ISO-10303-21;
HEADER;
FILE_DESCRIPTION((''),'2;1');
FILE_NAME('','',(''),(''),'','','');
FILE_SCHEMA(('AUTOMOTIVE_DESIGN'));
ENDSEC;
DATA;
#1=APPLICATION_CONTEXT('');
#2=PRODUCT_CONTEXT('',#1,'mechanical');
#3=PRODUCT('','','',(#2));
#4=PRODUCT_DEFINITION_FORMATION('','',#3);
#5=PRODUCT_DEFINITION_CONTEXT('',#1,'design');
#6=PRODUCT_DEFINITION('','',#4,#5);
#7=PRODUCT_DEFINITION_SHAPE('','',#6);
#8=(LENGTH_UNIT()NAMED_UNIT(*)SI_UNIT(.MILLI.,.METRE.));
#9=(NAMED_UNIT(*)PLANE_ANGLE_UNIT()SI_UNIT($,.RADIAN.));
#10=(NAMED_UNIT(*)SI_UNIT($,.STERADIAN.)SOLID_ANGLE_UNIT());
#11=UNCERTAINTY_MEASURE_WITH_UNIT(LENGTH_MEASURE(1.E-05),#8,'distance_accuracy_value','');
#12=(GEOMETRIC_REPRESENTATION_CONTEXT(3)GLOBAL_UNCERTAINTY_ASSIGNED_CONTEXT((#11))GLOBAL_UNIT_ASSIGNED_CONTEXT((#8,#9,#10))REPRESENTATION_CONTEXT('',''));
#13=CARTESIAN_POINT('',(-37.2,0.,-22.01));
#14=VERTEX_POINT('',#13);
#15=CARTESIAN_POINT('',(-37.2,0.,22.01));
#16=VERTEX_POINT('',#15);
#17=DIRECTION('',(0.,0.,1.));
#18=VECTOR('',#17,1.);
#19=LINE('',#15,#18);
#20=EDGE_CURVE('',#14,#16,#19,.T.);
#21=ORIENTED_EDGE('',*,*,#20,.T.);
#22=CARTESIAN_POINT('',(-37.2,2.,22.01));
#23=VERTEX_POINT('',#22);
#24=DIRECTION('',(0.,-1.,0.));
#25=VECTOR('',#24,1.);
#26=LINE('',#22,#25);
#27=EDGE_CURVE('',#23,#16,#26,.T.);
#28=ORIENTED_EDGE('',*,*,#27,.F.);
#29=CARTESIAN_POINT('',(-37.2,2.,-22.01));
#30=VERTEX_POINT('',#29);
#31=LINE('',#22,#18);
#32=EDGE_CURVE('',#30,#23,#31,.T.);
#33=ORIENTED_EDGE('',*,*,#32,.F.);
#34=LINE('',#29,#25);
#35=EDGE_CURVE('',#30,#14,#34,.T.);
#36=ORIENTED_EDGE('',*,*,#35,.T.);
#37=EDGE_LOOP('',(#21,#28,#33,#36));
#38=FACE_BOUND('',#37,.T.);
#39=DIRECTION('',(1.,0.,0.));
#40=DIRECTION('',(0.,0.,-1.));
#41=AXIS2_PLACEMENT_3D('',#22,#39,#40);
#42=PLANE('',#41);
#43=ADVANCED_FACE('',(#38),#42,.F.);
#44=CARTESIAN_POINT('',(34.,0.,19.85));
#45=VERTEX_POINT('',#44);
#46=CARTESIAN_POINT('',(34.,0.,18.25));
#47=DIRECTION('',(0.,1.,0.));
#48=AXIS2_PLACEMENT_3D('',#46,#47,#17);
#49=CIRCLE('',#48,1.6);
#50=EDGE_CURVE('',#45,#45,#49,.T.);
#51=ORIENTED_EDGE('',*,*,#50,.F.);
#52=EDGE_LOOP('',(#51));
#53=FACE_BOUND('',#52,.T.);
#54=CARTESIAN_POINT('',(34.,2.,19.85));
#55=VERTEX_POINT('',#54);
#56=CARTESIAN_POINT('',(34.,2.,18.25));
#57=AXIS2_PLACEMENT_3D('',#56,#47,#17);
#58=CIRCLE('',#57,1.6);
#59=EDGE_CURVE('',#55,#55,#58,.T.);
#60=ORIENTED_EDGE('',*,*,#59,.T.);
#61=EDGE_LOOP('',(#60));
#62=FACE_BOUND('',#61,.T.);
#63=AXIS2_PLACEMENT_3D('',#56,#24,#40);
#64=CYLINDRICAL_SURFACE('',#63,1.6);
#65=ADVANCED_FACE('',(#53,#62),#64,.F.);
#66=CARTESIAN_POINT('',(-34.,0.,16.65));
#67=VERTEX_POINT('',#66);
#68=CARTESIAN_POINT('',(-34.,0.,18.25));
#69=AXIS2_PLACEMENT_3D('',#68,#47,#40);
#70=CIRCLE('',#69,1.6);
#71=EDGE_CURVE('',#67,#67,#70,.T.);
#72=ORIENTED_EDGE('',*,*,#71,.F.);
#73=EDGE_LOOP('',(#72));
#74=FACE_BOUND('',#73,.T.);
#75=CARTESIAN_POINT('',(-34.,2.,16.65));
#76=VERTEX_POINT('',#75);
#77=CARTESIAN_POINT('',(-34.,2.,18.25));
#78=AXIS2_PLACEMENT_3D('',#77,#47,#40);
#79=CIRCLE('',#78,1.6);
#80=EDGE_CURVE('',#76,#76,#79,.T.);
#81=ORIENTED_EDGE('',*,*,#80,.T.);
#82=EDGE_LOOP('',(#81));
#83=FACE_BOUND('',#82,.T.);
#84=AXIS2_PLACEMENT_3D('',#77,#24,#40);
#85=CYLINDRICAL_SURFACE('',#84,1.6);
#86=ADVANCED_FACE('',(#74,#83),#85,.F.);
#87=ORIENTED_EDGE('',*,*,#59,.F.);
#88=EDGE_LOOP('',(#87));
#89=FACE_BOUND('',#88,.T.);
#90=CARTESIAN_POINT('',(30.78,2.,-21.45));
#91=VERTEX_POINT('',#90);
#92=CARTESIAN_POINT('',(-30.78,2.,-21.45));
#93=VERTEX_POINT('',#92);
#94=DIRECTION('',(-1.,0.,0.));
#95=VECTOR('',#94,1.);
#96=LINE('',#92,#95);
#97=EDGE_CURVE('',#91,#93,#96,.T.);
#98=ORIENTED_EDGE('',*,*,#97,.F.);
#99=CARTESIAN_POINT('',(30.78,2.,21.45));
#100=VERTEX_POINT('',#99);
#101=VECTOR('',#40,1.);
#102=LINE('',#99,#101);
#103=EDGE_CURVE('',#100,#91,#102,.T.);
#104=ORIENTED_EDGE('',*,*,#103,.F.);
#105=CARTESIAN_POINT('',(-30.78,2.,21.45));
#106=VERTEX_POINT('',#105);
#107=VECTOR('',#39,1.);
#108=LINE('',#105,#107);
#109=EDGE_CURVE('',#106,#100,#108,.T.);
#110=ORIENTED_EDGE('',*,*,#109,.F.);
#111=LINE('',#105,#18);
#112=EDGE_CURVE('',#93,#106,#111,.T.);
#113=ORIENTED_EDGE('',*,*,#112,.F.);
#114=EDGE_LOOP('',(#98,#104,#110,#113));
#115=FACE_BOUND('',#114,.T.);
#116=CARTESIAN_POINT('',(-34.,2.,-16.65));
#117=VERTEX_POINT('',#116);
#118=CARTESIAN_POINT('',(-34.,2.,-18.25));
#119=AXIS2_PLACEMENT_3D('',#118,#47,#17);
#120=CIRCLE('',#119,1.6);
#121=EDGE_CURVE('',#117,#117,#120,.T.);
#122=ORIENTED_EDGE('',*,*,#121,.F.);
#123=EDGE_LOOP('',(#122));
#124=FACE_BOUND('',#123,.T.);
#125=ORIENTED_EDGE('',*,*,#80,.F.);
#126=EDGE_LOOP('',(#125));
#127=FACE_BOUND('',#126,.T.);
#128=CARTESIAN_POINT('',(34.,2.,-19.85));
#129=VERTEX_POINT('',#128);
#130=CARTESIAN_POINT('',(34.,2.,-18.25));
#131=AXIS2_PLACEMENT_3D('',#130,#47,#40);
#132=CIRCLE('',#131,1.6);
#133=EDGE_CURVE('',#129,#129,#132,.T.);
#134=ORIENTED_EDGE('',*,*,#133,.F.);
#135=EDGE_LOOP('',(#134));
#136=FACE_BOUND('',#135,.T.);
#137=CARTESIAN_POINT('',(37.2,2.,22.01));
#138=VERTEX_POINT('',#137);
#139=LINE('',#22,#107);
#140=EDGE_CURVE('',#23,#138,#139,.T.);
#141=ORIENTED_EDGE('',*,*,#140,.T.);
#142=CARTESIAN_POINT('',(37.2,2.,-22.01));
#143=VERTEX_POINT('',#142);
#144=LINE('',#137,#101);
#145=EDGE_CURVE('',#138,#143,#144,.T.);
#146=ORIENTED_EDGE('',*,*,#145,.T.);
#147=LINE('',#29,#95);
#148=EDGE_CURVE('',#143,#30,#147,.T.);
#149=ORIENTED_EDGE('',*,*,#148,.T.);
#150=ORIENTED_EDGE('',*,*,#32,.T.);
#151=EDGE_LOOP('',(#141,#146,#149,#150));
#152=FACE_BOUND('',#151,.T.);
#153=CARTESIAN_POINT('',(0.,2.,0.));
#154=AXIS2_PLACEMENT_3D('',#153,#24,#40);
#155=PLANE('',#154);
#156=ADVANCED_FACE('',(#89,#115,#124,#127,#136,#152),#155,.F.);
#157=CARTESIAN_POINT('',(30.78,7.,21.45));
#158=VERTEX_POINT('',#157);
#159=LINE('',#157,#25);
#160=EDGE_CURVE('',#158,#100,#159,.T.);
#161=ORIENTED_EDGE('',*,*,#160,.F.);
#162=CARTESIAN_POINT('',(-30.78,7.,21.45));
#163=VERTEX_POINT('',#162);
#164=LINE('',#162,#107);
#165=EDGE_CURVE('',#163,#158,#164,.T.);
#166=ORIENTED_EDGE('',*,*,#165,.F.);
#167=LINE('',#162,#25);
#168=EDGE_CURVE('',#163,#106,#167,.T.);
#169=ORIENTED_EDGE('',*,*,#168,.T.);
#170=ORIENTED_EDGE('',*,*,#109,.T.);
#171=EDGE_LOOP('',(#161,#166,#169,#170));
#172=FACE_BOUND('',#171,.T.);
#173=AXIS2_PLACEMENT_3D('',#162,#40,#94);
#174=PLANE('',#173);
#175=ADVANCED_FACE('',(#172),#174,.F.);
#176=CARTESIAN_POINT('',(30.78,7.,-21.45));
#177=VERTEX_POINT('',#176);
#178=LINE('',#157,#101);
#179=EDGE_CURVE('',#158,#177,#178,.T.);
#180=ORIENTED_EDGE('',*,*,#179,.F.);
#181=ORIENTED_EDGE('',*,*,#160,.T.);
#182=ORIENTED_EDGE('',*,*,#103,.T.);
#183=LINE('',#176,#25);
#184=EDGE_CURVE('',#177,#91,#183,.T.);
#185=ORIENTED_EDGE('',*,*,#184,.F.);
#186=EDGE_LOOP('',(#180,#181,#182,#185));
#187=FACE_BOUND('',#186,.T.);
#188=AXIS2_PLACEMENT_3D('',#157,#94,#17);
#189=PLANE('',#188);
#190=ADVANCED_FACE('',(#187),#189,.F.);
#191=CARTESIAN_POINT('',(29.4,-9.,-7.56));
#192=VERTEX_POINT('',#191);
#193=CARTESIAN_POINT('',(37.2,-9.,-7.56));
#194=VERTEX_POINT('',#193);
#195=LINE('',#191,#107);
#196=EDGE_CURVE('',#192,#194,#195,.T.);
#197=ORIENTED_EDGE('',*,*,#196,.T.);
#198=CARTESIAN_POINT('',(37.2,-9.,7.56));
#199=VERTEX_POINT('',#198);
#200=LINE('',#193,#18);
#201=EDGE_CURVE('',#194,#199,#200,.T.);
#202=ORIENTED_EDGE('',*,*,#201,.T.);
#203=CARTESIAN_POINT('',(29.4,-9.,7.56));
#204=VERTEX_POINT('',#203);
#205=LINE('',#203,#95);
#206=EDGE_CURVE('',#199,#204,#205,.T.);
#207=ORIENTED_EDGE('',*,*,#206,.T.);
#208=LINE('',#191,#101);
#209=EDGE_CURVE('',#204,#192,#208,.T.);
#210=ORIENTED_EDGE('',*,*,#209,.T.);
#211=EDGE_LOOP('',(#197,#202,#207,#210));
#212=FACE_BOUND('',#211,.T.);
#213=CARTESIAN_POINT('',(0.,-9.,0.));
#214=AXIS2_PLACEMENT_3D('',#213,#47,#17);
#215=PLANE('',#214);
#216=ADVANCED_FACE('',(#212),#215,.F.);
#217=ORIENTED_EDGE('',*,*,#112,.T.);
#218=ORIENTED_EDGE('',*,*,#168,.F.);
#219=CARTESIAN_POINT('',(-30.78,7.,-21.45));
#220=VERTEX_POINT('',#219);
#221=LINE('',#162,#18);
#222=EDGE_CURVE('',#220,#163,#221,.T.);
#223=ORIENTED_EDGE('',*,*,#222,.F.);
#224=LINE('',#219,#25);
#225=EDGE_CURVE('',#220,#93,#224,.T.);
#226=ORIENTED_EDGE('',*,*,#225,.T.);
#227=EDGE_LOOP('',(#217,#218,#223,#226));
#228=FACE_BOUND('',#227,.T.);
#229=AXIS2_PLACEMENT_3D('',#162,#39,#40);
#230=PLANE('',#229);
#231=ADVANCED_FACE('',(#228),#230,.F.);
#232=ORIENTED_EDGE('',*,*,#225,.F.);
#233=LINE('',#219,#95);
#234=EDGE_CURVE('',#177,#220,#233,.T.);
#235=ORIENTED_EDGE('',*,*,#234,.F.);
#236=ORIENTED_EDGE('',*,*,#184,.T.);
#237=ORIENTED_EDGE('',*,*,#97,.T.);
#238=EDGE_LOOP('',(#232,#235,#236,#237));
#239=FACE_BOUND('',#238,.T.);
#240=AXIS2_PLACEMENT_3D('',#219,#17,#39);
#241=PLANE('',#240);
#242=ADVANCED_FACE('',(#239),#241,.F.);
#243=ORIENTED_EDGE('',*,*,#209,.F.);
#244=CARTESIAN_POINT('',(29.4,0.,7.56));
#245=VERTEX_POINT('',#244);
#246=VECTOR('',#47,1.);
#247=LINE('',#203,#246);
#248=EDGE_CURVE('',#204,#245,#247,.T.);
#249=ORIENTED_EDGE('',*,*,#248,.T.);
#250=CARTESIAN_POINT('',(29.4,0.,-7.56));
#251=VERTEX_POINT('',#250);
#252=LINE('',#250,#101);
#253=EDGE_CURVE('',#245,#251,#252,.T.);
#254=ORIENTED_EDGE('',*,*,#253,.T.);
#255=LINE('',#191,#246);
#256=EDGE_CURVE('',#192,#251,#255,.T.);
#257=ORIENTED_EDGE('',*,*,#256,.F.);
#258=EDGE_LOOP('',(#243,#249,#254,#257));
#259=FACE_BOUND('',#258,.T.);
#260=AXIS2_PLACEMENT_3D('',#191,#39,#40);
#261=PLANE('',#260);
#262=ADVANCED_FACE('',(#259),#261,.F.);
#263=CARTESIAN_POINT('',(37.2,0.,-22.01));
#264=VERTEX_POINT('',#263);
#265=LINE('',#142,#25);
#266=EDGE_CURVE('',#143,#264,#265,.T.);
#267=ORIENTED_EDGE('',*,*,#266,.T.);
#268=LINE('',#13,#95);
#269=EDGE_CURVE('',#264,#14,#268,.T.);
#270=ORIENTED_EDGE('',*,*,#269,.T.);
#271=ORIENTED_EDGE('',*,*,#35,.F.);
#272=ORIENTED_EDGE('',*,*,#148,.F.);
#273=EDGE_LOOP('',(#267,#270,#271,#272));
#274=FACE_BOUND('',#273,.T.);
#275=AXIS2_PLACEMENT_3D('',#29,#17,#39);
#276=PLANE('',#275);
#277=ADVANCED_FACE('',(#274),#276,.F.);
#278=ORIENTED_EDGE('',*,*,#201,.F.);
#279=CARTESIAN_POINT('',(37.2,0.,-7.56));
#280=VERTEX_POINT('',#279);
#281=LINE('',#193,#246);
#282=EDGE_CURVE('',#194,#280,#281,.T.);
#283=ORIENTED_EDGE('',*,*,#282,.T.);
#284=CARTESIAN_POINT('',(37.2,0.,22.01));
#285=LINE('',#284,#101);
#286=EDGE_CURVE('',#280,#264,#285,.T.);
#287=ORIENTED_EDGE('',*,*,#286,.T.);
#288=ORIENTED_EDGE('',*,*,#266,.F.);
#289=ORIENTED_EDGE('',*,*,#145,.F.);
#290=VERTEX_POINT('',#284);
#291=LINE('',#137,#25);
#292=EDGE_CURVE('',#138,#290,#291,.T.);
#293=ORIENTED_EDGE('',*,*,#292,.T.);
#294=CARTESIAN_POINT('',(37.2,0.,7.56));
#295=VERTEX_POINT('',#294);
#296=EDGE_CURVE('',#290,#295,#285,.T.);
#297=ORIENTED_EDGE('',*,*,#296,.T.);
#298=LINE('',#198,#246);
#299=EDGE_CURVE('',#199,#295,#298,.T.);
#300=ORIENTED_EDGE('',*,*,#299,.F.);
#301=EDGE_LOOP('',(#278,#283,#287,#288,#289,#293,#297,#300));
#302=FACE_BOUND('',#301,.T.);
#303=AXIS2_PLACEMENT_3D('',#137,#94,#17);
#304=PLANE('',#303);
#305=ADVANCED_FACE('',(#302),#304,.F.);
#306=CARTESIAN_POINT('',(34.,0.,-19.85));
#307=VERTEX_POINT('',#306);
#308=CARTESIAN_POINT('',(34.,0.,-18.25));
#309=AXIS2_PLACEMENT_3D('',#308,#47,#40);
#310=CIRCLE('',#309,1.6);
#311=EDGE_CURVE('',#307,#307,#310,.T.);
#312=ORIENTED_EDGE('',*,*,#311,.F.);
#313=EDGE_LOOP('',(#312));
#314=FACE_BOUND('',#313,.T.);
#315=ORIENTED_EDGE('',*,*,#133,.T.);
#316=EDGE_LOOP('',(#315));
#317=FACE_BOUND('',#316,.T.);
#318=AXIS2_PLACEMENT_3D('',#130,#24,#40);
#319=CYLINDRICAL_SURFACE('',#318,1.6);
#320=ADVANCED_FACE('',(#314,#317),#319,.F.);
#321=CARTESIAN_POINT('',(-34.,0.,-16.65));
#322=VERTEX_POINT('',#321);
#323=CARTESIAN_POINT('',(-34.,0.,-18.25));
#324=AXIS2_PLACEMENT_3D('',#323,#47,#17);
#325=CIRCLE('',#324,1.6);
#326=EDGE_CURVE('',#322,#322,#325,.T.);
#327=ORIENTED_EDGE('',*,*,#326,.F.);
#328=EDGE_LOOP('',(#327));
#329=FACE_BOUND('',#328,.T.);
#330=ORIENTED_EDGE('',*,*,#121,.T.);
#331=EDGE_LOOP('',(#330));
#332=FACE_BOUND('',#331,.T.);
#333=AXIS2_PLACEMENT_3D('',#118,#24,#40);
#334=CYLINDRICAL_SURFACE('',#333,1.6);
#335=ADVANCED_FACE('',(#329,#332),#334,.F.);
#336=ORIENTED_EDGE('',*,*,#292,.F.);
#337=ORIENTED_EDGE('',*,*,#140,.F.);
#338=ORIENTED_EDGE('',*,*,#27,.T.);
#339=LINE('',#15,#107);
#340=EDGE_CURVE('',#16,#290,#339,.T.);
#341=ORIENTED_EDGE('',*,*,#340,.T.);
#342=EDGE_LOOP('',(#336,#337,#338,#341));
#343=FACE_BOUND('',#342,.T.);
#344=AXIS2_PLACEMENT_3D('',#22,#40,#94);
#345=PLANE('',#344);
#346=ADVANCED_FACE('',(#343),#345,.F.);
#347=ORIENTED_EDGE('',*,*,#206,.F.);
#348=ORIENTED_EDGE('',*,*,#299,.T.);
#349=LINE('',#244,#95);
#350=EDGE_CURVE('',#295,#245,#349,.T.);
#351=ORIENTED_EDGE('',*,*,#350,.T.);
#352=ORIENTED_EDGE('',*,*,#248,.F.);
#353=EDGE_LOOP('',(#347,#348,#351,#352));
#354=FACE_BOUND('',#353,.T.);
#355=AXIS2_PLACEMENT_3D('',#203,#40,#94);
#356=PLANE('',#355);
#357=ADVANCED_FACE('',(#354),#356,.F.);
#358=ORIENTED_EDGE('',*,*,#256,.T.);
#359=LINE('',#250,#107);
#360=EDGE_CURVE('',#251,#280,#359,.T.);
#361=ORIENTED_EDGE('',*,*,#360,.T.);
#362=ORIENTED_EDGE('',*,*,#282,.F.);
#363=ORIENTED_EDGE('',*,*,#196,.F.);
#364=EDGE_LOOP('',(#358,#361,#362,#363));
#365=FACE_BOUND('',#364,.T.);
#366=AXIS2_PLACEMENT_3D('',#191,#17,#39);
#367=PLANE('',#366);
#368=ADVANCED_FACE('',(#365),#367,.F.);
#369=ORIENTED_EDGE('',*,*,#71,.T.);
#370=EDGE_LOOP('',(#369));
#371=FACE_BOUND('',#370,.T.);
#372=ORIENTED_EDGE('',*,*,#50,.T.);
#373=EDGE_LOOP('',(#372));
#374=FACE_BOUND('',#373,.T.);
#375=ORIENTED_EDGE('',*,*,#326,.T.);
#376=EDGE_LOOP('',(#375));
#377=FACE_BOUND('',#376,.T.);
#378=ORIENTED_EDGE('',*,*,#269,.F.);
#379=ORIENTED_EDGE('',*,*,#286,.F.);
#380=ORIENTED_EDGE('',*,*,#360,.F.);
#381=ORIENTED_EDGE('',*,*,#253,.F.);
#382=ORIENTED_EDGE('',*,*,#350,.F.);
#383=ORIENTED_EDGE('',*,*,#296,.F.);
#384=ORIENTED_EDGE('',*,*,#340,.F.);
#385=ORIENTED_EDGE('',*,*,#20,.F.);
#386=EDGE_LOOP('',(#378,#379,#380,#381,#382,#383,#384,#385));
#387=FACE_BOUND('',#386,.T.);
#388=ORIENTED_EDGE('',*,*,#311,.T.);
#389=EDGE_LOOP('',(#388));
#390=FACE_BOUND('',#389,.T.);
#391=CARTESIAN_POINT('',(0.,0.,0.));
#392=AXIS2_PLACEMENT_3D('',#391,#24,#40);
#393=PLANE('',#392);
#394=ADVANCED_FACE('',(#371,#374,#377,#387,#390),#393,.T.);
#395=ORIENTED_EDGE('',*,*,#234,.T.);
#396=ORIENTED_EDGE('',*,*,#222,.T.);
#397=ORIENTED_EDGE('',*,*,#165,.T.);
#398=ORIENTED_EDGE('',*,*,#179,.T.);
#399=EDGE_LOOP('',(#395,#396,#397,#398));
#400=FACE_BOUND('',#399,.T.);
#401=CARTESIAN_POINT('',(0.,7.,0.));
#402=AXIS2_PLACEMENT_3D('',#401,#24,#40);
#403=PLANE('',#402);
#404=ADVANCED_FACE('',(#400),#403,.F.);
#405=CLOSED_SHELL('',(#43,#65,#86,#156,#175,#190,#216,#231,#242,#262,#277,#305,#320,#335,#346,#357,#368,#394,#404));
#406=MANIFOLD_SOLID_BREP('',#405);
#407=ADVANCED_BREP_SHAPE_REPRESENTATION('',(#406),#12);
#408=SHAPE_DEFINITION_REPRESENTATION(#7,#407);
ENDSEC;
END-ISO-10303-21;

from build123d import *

# Parameters (mm, degrees)
SKETCH_1_W      = 74.4
SKETCH_1_H      = 44.02
SKETCH_1_R      = 1.6
EXTRUDE_1_DEPTH = 2
SKETCH_2_W      = 61.56
SKETCH_2_H      = 42.9
EXTRUDE_2_DEPTH = 5
SKETCH_3_W      = 7.8
SKETCH_3_H      = 15.12
EXTRUDE_3_DEPTH = 9


with BuildPart() as part:
    # 草图1 → 凸台-拉伸1 (new body)
    with BuildSketch(Plane(origin=(0, 0, 0), x_dir=(1, 0, 0), z_dir=(0, 1, 0))):
        Rectangle(SKETCH_1_W, SKETCH_1_H)
        with Locations(Location((-34, 18.25, 0), (0, 0, 270))):
            Circle(SKETCH_1_R, mode=Mode.SUBTRACT)
        with Locations(Location((34, 18.25, 0), (0, 0, 90))):
            Circle(SKETCH_1_R, mode=Mode.SUBTRACT)
        with Locations(Location((34, -18.25, 0), (0, 0, 270))):
            Circle(SKETCH_1_R, mode=Mode.SUBTRACT)
        with Locations(Location((-34, -18.25, 0), (0, 0, 90))):
            Circle(SKETCH_1_R, mode=Mode.SUBTRACT)
    extrude(amount=EXTRUDE_1_DEPTH)

    # 草图2 → 凸台-拉伸2 (add)
    with BuildSketch(Plane(origin=(0, 2, 0), x_dir=(1, 0, 0), z_dir=(0, 1, 0))):
        Rectangle(SKETCH_2_W, SKETCH_2_H)
    extrude(amount=EXTRUDE_2_DEPTH)

    # 草图3 → 凸台-拉伸3 (add)
    with BuildSketch(Plane.XZ):
        with Locations((33.3, 0)):
            Rectangle(SKETCH_3_W, SKETCH_3_H)
    extrude(amount=EXTRUDE_3_DEPTH)


solid = part.part
